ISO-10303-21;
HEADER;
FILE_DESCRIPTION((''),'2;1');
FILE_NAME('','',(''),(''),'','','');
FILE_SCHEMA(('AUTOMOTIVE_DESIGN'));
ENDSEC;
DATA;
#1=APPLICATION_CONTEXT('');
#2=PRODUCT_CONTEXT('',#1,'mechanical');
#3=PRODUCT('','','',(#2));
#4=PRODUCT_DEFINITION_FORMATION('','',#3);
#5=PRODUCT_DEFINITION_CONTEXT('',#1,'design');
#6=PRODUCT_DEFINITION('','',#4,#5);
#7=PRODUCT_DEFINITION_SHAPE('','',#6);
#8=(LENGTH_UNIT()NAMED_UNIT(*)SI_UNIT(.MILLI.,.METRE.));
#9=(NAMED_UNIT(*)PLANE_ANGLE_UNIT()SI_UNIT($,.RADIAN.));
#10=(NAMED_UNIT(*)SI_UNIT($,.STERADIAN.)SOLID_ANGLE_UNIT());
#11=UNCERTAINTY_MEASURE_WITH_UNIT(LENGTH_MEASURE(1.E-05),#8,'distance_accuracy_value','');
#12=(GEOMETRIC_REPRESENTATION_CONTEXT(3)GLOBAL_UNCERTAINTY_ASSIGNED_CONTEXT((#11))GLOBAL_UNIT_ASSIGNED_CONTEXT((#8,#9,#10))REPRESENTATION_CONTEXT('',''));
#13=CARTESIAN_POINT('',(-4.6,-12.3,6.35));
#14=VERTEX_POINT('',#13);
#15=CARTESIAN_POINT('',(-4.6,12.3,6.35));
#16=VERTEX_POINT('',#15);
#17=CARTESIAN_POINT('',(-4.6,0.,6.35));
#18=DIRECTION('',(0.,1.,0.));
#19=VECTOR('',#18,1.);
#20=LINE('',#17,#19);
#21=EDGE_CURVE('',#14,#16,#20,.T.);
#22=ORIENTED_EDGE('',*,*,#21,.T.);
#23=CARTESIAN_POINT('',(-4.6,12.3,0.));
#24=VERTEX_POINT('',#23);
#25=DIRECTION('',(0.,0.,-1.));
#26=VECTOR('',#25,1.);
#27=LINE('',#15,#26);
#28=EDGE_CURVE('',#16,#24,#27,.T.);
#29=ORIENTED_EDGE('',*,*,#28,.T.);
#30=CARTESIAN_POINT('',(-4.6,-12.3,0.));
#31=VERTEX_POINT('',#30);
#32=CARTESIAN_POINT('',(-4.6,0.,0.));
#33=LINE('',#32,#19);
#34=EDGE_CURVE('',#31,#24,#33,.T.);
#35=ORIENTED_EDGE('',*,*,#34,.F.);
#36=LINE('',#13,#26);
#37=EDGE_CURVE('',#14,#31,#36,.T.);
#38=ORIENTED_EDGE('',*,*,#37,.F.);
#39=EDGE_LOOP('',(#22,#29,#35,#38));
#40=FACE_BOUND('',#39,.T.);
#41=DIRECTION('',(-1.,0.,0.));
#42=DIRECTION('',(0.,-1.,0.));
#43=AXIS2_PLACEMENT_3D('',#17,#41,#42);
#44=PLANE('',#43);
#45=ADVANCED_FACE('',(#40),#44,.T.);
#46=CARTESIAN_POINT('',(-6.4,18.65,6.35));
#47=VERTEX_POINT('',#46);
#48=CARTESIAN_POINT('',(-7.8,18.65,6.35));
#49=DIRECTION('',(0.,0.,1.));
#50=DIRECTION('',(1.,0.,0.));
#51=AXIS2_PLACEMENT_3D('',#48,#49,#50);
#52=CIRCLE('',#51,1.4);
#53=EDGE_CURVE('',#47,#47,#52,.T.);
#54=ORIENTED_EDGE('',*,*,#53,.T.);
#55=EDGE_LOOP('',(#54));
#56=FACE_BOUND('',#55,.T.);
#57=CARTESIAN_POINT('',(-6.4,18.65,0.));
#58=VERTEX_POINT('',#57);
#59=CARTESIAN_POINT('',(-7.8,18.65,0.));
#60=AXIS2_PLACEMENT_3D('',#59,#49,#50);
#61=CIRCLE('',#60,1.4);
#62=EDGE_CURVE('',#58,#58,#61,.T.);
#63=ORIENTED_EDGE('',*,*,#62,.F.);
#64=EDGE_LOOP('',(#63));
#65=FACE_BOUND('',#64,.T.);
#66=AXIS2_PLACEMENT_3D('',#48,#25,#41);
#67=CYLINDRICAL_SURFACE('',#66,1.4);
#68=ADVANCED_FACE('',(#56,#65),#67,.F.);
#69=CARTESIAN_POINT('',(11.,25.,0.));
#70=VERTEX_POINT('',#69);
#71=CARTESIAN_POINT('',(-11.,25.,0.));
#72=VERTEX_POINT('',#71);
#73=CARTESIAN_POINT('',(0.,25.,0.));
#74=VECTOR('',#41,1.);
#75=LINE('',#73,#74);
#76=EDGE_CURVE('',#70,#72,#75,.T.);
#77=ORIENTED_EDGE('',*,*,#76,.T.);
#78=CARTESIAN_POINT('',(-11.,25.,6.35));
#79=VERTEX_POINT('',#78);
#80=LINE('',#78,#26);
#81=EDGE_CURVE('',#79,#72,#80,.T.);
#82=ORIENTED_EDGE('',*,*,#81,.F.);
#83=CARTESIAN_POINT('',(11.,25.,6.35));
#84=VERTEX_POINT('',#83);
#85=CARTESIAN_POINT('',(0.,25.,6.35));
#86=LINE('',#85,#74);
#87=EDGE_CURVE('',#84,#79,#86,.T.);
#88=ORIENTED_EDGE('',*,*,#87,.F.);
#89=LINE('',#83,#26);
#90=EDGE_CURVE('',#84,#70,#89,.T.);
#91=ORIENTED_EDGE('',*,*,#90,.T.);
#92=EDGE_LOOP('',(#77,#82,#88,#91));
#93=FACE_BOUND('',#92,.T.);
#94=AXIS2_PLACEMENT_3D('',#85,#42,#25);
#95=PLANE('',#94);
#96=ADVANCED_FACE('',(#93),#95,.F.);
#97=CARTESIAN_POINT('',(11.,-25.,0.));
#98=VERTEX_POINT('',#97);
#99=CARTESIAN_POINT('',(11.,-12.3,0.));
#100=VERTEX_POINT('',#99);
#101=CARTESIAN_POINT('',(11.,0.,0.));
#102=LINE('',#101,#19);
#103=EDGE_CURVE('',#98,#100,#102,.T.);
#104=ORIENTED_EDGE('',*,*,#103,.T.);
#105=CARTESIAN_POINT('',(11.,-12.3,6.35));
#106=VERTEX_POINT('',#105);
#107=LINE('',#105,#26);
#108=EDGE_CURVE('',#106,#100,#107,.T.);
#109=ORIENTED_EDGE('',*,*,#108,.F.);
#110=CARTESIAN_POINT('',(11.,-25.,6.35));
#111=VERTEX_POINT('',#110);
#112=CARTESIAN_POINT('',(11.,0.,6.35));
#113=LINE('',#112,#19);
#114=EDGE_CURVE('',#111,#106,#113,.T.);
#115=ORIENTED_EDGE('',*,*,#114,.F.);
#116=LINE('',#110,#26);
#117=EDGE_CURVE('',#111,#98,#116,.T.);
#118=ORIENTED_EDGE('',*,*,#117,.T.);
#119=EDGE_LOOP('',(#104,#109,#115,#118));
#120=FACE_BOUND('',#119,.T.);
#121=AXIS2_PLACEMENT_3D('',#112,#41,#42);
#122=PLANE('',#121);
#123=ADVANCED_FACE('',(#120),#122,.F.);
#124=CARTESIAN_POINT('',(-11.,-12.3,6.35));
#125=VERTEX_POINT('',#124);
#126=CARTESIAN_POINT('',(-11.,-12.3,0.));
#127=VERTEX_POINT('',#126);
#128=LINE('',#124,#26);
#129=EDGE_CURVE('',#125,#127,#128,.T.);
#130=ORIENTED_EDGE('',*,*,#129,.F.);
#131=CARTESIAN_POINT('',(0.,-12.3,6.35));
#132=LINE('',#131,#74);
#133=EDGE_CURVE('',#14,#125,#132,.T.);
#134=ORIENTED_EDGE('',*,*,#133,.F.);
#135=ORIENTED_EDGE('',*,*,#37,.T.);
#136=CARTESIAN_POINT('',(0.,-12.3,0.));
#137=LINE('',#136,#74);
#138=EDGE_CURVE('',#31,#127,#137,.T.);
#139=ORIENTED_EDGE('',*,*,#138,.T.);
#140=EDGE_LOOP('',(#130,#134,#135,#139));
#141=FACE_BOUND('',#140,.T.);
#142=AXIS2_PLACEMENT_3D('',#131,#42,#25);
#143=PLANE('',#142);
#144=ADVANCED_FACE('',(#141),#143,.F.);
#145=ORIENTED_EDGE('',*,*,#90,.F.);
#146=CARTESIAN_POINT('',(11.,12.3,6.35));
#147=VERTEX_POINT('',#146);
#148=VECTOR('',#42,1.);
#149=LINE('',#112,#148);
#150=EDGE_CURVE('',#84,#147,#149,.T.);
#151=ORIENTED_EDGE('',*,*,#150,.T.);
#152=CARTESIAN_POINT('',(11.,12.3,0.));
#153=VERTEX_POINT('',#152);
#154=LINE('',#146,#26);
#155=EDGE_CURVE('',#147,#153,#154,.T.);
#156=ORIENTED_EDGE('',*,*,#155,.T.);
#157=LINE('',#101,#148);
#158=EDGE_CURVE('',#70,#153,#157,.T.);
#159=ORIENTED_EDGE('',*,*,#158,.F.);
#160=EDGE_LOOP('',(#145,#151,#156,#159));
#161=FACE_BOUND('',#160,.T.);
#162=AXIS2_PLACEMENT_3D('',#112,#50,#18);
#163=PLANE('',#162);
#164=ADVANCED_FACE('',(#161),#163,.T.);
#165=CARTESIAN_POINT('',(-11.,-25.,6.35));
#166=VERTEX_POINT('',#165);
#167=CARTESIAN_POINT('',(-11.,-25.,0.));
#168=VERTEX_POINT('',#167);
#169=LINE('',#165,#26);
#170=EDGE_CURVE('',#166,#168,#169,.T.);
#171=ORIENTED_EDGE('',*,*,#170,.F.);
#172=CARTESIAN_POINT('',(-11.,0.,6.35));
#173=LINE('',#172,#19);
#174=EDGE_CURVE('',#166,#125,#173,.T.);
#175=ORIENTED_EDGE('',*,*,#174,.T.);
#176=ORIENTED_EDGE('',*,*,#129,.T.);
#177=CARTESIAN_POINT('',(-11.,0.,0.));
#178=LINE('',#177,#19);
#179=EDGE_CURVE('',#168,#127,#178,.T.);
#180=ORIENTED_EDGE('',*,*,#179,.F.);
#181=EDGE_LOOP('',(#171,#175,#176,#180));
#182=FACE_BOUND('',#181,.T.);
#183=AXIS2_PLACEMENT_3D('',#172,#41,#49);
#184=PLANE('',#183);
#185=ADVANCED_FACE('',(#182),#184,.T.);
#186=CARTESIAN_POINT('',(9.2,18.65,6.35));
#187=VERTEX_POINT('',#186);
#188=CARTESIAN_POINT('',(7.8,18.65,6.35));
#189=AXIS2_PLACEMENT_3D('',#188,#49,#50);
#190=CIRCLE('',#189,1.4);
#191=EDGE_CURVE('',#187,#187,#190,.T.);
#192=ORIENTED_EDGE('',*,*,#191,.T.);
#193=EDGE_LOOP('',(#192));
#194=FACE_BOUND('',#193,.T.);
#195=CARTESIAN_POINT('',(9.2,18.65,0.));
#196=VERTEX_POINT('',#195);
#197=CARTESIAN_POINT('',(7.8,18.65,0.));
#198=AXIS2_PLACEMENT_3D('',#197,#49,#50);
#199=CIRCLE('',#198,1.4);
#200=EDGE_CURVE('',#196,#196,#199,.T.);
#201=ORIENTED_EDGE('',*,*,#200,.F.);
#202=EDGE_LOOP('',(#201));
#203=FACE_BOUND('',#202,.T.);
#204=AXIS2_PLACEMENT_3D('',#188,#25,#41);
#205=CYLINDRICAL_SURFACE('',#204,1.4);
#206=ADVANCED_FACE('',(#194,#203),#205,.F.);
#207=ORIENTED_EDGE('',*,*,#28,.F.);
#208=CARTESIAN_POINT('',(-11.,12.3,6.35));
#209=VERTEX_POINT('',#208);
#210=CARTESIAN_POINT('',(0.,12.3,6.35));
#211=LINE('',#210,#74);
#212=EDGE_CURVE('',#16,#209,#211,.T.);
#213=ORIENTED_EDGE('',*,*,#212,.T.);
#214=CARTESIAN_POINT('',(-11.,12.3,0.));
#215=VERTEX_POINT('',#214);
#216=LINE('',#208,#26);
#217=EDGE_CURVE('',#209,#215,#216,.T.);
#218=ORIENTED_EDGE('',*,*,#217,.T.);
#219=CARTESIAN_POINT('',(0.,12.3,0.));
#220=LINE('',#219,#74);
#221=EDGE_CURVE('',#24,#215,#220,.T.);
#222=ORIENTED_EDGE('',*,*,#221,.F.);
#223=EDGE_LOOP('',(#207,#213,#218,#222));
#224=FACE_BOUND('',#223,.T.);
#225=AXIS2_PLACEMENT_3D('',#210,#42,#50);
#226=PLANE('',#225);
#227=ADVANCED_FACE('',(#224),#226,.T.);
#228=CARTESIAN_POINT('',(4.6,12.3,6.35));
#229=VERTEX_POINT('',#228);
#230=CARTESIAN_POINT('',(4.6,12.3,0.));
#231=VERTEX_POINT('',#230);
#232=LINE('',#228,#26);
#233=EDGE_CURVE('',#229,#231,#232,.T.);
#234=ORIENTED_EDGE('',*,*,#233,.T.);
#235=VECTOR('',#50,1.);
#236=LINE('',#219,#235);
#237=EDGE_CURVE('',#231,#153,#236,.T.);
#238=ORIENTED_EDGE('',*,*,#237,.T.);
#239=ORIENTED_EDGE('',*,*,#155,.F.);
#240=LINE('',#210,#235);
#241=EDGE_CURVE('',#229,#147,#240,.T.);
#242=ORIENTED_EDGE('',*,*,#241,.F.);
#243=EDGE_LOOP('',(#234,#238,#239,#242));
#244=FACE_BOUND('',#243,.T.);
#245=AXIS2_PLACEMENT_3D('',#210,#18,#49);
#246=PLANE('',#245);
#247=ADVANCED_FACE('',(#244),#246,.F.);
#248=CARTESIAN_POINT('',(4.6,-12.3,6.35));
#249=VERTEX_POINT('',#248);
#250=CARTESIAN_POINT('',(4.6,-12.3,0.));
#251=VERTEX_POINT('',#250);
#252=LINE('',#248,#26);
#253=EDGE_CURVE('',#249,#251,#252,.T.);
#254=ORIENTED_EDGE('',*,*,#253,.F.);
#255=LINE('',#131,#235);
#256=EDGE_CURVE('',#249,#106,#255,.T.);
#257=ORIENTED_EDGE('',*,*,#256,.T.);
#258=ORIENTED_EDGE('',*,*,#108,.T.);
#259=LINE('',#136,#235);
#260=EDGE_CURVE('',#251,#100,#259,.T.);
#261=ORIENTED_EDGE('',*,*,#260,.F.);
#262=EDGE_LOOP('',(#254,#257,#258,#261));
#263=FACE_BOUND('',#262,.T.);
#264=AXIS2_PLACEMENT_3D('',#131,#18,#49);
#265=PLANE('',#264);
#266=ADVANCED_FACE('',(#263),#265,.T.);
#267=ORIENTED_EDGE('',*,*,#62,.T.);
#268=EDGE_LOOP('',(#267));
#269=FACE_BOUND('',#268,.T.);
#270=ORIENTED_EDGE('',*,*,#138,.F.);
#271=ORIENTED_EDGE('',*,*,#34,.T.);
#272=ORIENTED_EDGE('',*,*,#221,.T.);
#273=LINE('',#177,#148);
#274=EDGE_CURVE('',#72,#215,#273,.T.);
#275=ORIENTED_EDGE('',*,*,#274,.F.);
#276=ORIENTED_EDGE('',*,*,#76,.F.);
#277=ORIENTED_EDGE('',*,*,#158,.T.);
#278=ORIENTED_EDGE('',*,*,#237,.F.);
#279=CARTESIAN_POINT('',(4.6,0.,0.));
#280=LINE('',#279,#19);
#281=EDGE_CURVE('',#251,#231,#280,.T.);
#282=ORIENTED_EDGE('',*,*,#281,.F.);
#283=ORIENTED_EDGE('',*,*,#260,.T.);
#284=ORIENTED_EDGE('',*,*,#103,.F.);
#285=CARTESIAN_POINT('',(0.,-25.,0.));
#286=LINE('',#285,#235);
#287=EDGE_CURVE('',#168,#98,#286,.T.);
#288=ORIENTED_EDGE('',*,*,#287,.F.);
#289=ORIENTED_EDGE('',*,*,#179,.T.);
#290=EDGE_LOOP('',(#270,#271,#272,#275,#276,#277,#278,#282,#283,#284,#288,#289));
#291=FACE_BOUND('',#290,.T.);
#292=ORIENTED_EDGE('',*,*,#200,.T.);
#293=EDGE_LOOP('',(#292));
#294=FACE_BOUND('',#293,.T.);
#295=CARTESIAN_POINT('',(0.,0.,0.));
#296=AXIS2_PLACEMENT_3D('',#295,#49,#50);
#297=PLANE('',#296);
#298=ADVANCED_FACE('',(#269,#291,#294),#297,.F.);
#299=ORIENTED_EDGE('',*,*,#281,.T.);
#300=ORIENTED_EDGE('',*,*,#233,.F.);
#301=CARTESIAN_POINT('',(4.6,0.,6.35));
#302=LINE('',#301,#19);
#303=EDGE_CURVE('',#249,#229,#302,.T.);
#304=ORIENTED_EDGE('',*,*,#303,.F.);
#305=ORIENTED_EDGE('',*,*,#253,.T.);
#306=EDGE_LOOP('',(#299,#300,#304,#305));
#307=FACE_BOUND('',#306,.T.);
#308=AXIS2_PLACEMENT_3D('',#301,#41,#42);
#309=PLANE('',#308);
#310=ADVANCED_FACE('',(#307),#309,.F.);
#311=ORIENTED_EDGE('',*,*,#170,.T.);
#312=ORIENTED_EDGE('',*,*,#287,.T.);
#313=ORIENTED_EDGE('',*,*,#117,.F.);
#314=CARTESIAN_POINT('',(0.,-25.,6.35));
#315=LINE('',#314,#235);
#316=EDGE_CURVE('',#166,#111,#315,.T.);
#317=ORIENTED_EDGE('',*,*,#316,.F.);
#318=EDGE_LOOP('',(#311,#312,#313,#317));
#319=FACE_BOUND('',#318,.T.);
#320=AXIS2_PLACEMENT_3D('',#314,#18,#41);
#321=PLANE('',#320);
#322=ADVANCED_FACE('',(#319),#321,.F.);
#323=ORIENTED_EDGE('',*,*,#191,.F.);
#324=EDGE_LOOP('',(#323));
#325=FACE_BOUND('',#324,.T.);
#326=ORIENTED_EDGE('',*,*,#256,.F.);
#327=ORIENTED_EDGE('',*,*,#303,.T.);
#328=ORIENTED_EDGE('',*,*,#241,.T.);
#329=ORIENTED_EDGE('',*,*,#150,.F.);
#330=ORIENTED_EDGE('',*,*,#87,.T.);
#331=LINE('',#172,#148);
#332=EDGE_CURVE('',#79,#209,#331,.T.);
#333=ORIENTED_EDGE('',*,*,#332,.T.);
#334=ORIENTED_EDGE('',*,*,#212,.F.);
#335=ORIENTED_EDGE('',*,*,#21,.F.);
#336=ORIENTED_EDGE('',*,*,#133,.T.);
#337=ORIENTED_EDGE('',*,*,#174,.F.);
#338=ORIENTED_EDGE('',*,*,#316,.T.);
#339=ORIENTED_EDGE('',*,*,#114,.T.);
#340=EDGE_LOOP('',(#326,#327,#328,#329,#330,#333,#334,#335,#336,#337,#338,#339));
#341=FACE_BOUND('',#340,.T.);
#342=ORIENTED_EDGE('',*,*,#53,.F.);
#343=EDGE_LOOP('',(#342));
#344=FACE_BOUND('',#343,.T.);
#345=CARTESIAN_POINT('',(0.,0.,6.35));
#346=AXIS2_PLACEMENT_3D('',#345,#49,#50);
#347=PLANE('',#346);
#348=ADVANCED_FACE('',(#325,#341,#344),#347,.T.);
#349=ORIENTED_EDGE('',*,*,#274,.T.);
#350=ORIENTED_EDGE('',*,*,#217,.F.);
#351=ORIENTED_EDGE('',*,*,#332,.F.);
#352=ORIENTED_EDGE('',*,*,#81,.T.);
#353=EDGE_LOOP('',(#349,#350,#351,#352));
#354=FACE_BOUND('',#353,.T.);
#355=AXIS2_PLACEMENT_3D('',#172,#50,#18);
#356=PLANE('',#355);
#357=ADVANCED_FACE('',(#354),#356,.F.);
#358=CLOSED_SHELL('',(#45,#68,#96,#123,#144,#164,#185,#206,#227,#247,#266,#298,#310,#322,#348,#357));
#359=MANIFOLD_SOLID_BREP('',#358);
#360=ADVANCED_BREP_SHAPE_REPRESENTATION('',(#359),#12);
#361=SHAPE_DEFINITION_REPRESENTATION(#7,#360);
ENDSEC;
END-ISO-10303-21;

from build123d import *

# Parameters (mm, degrees)
SKETCH1_R           = 1.4
BOSS_EXTRUDE1_DEPTH = 6.35


with BuildPart() as part:
    # Sketch1 → Boss-Extrude1 (new body)
    with BuildSketch(Plane.XY):
        Polygon((11, -25), (11, -12.3), (4.6, -12.3), (4.6, 12.3), (11, 12.3), (11, 25), (-11, 25), (-11, 12.3), (-4.6, 12.3), (-4.6, -12.3), (-11, -12.3), (-11, -25), align=None)
        with Locations((7.8, 18.65)):
            Circle(SKETCH1_R, mode=Mode.SUBTRACT)
        with Locations((-7.8, 18.65)):
            Circle(SKETCH1_R, mode=Mode.SUBTRACT)
    extrude(amount=BOSS_EXTRUDE1_DEPTH)


solid = part.part
